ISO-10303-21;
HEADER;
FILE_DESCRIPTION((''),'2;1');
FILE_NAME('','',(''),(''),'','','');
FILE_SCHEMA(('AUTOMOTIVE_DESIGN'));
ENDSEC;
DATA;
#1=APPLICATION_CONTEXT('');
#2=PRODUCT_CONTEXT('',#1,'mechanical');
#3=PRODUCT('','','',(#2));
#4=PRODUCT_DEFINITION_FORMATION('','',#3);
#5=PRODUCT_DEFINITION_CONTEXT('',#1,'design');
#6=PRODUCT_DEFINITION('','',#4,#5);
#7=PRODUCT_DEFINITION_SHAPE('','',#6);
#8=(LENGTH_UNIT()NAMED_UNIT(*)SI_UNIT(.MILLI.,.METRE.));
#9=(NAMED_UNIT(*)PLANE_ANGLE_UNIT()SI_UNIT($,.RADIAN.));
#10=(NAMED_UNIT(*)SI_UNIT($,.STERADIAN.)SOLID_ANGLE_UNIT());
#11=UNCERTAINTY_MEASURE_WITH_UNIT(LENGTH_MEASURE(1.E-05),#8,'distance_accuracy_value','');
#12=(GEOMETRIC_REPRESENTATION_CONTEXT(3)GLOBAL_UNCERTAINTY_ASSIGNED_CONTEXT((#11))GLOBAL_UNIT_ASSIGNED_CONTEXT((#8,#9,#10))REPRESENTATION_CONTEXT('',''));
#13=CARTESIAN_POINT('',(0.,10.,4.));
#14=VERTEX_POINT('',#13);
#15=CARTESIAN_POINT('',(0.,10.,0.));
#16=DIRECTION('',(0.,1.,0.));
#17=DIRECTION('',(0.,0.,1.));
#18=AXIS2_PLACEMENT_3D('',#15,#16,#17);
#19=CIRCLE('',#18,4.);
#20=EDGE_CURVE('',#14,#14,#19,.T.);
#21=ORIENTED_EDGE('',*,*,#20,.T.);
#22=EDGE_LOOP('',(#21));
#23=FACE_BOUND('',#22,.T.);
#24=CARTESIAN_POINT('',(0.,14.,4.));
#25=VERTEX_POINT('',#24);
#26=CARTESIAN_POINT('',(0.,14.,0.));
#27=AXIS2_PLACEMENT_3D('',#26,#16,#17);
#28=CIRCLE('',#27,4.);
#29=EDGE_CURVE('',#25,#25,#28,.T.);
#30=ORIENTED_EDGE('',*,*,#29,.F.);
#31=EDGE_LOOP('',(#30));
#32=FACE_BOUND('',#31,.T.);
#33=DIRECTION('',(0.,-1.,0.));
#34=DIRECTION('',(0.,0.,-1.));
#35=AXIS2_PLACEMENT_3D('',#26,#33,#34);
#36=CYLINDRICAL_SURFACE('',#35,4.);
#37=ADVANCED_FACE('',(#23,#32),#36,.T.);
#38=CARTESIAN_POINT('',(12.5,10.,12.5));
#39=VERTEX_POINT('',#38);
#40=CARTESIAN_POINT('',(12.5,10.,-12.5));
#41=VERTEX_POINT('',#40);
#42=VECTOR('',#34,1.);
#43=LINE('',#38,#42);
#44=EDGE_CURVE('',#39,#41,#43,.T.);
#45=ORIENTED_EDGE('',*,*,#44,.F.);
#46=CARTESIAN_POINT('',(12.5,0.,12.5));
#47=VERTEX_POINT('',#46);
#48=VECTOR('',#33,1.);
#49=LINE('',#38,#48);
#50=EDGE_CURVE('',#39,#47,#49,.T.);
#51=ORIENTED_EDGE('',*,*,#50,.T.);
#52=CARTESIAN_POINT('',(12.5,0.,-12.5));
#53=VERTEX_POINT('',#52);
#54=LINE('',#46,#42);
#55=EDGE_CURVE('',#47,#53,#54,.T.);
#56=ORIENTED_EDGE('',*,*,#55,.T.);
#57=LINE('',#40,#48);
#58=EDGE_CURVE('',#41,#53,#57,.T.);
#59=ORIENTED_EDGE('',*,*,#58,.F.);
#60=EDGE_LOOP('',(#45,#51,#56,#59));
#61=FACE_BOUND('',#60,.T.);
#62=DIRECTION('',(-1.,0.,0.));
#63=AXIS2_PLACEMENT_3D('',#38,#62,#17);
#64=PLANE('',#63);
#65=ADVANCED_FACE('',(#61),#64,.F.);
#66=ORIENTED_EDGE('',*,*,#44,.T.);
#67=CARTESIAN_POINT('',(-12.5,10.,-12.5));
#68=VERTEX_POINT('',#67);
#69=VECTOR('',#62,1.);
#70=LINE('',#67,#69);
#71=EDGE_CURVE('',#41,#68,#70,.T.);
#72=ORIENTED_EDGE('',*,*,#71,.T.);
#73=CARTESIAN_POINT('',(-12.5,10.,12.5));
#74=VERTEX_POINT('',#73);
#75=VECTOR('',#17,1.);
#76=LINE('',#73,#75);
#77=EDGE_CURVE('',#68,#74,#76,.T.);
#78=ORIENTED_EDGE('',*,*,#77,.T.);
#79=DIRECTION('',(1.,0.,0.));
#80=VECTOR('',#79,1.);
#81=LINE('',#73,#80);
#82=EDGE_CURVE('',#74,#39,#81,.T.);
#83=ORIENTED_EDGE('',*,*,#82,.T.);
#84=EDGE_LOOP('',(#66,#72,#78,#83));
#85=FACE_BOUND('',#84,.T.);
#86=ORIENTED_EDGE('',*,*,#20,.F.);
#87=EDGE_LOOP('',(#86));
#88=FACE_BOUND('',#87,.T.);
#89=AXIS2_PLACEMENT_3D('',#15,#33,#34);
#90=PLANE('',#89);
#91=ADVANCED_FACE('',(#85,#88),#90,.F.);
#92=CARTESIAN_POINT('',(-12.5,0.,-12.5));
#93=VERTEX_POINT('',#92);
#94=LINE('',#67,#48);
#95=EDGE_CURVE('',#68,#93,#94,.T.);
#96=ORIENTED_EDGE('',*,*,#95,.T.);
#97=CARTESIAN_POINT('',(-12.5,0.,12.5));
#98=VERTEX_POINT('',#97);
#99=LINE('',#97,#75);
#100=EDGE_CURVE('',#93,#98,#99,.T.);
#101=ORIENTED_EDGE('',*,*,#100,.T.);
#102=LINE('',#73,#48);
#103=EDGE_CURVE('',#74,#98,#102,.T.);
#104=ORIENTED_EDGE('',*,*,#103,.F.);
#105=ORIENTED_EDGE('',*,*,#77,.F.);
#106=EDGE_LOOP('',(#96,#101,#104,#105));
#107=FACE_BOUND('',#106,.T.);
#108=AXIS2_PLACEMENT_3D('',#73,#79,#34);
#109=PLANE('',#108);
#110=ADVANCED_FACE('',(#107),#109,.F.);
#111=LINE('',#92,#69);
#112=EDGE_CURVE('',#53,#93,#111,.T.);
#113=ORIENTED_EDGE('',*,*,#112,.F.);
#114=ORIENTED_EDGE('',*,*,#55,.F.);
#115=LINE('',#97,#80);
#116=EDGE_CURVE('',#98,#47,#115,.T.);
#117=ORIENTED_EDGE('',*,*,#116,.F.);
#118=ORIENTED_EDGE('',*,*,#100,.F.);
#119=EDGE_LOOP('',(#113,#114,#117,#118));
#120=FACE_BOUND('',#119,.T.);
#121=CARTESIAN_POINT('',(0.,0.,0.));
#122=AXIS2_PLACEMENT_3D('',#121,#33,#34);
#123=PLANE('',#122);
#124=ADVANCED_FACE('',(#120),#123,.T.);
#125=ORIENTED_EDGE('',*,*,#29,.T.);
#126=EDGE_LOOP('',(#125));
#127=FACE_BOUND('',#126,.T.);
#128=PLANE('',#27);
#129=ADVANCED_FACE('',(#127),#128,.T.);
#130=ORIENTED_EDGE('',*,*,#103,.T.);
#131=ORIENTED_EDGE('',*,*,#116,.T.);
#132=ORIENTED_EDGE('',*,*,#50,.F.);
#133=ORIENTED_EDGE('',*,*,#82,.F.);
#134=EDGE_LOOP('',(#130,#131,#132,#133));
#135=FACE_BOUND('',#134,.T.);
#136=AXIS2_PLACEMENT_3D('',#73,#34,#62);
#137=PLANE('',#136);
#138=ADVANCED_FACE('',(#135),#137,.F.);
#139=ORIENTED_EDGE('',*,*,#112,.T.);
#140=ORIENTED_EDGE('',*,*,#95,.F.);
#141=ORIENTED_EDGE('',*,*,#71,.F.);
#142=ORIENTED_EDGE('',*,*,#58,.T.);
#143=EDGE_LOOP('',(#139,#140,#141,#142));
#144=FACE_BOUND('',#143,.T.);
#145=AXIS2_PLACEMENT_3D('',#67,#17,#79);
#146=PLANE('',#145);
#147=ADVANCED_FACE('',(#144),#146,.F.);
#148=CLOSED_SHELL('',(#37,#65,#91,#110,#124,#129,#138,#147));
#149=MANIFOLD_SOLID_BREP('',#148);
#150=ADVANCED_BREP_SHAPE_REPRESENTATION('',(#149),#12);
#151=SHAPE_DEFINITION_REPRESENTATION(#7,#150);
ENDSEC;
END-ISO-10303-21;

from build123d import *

# Parameters (mm, degrees)
SKETCH1_W           = 25
SKETCH1_H           = 25
BOSS_EXTRUDE1_DEPTH = 10
SKETCH2_R           = 4
BOSS_EXTRUDE2_DEPTH = 4


with BuildPart() as part:
    # Sketch1 → Boss-Extrude1 (new body)
    with BuildSketch(Plane(origin=(0, 0, 0), x_dir=(1, 0, 0), z_dir=(0, 1, 0))):
        Rectangle(SKETCH1_W, SKETCH1_H)
    extrude(amount=BOSS_EXTRUDE1_DEPTH)

    # Sketch2 → Boss-Extrude2 (add)
    with BuildSketch(Plane(origin=(0, 10, 0), x_dir=(1, 0, 0), z_dir=(0, 1, 0))):
        with Locations(Location((0, 0, 0), (0, 0, 270))):
            Circle(SKETCH2_R)
    extrude(amount=BOSS_EXTRUDE2_DEPTH)


solid = part.part
